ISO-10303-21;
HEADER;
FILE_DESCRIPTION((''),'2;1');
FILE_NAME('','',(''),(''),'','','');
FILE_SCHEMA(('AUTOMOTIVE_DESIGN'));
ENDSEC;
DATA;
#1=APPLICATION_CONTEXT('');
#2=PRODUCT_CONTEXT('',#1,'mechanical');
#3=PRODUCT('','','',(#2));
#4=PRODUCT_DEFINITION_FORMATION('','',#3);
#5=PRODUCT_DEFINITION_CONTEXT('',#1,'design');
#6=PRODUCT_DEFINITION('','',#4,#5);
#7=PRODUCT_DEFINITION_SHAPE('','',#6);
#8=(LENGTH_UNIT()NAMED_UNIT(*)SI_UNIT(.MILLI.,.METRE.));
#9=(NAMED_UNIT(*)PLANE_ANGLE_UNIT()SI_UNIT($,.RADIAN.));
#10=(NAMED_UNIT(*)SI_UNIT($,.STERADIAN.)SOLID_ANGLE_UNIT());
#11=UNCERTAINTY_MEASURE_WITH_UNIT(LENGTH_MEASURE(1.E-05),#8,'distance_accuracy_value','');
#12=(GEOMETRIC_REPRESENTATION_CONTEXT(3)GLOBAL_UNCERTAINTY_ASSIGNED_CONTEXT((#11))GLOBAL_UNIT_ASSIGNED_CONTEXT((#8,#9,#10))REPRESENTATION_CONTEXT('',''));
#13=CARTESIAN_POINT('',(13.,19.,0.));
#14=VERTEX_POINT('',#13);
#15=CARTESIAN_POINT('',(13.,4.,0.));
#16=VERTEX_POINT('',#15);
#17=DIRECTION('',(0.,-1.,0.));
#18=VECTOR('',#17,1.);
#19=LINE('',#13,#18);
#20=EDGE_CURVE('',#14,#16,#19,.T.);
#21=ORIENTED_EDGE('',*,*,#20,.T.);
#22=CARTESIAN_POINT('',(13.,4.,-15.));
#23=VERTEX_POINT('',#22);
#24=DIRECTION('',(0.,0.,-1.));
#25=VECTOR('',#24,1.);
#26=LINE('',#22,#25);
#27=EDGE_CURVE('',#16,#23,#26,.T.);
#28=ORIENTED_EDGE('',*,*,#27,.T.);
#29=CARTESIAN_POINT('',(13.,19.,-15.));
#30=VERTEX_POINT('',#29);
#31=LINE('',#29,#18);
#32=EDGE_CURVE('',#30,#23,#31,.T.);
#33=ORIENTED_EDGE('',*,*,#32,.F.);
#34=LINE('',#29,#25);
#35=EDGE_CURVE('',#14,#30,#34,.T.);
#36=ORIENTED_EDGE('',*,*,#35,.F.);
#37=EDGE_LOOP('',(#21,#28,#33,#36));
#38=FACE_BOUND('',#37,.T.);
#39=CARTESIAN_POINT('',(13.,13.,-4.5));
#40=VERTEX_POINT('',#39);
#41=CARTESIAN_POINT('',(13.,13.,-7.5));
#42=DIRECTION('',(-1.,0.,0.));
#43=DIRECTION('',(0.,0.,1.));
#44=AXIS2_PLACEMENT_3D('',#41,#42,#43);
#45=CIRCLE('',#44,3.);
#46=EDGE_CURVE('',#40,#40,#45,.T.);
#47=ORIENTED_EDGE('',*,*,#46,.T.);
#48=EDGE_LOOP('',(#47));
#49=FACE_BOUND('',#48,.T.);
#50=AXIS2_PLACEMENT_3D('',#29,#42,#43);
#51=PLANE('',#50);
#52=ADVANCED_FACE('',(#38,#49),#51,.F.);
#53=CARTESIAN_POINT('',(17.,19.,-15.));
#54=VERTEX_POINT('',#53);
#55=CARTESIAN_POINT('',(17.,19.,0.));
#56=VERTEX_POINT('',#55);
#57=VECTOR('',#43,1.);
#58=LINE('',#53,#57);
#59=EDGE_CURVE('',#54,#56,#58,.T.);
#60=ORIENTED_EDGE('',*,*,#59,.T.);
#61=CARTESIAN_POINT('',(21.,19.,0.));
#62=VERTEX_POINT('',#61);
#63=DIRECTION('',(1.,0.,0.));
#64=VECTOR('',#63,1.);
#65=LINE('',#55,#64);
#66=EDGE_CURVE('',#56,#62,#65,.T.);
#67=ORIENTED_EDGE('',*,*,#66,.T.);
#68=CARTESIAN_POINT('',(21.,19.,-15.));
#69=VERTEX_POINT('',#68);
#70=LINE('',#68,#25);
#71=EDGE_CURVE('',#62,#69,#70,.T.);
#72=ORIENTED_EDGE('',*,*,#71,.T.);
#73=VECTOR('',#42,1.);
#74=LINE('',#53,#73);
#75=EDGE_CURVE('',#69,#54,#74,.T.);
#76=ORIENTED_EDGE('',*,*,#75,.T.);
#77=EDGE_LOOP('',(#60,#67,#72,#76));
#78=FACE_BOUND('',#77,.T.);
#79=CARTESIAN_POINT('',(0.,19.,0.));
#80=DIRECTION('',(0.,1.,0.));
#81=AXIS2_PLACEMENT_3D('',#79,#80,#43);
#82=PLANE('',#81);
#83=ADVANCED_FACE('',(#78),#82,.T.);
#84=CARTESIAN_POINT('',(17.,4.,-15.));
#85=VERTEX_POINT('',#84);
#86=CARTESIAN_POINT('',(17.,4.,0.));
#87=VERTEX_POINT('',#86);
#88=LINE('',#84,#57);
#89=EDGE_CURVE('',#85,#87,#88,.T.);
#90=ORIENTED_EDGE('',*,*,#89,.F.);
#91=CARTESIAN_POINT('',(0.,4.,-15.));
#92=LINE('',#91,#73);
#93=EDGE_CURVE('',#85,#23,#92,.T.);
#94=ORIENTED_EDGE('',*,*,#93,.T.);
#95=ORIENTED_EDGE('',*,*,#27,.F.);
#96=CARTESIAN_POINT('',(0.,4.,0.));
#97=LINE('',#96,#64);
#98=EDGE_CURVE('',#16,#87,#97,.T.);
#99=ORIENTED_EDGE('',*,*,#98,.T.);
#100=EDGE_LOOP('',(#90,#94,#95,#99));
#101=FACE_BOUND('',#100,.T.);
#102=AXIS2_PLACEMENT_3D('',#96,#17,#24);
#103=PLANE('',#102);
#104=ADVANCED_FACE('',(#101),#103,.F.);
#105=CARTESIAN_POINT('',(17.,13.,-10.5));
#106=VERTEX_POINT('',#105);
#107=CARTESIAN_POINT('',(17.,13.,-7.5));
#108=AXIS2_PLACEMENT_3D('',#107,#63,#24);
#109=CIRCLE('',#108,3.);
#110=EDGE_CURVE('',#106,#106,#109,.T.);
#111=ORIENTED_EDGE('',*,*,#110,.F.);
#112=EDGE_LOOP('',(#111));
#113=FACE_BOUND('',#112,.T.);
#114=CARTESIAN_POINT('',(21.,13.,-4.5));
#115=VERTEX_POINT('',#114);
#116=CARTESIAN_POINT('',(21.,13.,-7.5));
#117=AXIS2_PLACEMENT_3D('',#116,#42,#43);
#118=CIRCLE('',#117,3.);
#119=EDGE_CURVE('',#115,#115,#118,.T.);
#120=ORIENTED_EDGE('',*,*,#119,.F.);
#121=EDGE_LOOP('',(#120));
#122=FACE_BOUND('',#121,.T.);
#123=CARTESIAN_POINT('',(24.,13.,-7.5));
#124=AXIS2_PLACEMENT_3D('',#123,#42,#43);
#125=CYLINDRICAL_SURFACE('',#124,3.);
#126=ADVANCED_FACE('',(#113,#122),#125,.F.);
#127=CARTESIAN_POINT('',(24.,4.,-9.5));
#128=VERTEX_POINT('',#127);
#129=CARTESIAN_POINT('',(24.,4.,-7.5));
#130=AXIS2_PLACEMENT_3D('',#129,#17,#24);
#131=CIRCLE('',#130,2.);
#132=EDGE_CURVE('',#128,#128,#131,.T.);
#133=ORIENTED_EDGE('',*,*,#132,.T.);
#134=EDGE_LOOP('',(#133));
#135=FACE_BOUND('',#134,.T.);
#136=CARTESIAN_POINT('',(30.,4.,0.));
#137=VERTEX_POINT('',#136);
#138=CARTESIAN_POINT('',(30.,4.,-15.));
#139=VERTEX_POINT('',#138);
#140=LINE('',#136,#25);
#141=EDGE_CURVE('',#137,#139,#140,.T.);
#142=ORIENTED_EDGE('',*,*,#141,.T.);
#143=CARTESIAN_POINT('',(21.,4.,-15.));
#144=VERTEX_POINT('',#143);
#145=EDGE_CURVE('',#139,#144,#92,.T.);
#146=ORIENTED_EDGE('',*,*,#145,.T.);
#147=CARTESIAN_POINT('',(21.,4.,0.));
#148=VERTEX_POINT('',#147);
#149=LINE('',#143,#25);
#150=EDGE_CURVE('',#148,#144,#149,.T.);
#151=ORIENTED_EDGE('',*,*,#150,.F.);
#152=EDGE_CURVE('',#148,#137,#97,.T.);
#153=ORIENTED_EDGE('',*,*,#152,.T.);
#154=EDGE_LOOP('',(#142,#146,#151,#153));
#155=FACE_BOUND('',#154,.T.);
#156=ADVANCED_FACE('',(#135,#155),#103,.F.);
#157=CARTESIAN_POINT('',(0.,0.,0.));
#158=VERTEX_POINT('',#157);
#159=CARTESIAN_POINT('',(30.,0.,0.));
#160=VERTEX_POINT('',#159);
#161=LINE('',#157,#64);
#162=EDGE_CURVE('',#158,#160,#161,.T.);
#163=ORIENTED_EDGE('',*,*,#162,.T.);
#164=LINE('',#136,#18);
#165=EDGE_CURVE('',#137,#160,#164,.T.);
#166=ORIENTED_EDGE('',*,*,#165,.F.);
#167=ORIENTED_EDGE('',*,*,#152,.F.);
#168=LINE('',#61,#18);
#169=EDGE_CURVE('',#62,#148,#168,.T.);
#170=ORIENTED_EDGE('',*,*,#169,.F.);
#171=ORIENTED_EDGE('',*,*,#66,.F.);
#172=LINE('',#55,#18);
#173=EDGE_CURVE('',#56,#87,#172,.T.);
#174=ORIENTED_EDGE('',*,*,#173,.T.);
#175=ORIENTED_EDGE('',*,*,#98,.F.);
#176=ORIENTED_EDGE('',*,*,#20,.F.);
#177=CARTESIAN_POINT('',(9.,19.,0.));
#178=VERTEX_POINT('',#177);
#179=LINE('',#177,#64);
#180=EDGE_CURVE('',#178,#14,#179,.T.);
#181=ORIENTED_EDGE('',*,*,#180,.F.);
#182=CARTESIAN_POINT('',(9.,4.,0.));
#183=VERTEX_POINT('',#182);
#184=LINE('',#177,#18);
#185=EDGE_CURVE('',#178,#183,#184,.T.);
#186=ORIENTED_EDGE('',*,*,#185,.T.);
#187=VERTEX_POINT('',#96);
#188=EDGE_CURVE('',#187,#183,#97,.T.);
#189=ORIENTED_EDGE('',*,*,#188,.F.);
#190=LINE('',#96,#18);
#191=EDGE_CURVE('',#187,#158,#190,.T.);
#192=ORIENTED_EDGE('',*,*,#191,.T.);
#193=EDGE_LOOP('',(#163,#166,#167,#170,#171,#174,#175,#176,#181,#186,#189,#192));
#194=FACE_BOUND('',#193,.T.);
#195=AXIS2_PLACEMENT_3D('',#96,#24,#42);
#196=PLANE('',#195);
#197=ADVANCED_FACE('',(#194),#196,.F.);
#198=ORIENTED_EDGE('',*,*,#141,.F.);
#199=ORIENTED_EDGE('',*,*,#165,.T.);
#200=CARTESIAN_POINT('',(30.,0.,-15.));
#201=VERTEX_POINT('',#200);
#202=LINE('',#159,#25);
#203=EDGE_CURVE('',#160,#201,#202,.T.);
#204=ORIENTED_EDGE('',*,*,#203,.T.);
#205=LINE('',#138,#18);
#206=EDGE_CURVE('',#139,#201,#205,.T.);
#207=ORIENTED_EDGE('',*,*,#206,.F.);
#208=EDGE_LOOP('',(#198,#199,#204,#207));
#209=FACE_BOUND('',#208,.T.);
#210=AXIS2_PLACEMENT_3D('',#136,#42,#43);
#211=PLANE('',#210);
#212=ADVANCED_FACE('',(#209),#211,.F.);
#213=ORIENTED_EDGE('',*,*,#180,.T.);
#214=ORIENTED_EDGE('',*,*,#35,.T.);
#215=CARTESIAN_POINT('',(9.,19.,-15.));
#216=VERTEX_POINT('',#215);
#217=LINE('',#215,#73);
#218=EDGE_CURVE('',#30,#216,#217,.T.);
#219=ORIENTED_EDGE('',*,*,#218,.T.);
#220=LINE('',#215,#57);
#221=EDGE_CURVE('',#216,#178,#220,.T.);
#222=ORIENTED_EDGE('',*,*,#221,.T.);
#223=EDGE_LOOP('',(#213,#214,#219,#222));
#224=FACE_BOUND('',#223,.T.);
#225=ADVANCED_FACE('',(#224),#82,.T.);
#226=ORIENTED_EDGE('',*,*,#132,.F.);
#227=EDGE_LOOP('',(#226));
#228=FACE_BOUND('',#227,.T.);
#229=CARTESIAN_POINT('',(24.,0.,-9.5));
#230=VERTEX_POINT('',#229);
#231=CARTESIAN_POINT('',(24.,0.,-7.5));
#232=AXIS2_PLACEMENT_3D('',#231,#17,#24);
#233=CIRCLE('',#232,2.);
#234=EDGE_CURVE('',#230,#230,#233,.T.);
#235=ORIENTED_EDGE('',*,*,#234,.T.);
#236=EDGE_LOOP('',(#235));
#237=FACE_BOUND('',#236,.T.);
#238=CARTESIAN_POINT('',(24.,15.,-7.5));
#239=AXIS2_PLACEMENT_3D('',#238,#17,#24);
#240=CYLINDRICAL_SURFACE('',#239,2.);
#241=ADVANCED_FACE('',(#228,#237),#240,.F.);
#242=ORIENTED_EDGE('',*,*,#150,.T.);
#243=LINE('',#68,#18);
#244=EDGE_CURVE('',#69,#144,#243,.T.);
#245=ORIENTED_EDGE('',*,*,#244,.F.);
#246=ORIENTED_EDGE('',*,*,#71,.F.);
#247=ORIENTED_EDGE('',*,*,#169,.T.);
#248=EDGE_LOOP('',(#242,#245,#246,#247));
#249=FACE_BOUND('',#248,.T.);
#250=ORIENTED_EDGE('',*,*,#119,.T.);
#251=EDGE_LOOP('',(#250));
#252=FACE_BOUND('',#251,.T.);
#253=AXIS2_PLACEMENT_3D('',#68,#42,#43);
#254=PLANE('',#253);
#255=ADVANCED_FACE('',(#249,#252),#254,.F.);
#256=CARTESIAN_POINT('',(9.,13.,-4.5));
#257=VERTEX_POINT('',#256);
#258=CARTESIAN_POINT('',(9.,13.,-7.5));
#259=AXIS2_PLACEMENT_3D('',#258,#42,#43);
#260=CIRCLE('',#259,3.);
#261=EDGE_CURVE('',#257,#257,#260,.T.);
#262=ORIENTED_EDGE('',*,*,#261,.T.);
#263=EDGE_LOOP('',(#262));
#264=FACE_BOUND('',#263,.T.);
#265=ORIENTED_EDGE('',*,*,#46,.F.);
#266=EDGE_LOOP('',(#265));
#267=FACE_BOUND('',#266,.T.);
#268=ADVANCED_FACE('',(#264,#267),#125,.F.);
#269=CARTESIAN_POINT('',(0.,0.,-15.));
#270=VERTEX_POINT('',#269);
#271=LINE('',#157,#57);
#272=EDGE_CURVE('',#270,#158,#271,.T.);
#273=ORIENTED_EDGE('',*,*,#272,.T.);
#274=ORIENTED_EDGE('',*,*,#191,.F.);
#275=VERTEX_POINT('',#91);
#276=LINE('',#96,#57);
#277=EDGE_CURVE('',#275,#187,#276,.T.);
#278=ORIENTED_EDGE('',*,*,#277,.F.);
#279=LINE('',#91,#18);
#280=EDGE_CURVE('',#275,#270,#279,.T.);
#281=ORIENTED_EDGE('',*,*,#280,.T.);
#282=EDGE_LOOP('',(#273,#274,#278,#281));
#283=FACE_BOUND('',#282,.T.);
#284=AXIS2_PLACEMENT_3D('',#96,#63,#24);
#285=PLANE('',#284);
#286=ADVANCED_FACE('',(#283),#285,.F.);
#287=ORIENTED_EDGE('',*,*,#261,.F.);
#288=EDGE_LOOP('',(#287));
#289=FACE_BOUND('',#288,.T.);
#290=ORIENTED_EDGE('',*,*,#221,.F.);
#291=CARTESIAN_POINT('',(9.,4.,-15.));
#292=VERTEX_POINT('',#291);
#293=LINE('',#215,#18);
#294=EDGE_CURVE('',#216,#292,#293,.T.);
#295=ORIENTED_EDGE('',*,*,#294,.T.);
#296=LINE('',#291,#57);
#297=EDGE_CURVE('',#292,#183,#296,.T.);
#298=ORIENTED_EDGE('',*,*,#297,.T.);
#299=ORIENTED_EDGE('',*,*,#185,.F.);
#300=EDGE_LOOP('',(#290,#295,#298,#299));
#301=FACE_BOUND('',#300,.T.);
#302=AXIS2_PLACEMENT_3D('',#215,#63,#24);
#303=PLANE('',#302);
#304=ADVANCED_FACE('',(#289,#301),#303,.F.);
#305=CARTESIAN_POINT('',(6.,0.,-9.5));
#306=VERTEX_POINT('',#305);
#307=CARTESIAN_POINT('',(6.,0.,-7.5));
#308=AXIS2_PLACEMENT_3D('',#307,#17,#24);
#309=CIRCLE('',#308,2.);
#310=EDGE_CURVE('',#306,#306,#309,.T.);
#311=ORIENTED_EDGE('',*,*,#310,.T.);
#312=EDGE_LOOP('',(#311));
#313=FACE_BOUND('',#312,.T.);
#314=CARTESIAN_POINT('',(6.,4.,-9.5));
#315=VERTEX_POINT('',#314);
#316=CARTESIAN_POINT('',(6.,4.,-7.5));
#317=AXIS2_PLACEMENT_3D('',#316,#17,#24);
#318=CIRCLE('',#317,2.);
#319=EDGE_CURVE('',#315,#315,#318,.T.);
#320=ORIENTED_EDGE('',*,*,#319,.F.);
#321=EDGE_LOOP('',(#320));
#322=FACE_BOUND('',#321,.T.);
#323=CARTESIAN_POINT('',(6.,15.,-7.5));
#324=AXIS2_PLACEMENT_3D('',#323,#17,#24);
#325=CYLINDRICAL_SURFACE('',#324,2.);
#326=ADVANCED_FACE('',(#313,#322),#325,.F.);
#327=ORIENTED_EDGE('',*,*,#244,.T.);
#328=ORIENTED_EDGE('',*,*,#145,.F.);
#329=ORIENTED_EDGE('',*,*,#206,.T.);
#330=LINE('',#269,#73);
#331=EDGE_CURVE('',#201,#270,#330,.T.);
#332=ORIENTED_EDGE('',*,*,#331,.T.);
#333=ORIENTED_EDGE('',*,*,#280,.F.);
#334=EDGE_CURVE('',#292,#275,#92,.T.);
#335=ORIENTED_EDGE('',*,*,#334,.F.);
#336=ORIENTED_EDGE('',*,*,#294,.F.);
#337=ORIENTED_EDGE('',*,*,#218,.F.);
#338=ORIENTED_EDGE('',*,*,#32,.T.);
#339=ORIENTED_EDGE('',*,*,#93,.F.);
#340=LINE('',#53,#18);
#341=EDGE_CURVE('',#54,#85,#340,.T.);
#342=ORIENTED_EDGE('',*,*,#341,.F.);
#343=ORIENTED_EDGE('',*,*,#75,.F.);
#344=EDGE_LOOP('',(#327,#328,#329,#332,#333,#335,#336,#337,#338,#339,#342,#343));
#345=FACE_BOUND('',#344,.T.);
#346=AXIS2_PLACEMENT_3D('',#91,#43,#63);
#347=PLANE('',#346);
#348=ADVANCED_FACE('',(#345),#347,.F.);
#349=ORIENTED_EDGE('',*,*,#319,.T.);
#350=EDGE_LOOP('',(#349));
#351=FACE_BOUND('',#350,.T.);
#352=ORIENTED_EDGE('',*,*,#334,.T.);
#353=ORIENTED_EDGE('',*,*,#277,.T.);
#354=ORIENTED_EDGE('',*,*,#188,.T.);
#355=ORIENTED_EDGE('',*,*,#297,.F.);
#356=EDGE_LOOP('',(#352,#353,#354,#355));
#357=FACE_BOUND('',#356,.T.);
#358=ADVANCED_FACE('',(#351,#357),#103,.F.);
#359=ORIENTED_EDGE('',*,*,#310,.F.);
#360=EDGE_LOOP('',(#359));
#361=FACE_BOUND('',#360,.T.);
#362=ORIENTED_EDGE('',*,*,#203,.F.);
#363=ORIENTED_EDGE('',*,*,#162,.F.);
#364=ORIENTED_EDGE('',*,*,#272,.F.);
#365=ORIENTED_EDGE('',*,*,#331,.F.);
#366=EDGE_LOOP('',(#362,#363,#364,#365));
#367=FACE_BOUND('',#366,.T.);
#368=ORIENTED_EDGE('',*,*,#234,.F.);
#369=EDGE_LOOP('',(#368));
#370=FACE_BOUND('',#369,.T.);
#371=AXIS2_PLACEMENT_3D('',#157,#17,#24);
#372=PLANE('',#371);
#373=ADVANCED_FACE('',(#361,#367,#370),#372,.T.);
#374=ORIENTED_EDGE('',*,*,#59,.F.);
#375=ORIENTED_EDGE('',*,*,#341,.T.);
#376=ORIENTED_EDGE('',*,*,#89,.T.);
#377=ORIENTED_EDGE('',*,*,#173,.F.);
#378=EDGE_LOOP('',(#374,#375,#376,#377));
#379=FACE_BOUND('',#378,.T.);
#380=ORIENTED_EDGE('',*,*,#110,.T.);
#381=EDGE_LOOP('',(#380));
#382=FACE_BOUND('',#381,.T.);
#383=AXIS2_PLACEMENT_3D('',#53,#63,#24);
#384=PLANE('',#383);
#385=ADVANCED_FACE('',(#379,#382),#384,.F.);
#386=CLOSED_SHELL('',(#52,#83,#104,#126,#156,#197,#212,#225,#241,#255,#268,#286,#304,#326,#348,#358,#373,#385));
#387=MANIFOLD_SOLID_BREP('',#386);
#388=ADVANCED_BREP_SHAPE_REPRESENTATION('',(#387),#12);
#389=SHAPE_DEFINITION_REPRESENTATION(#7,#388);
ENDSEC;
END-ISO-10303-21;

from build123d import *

# Parameters (mm, degrees)
SKETCH_1_W          = 30
SKETCH_1_H          = 15
EXTRUDE_1_DEPTH     = 4
SKETCH_2_W          = 4
SKETCH_2_H          = 15
EXTRUDE_2_DEPTH     = 15
SKETCH_3_R          = 2
CUT_EXTRUDE_1_DEPTH = 15
SKETCH_4_R          = 3
CUT_EXTRUDE_2_DEPTH = 15


with BuildPart() as part:
    # Эскиз1 → Бобышка-Вытянуть1 (new body)
    with BuildSketch(Plane(origin=(0, 0, 0), x_dir=(1, 0, 0), z_dir=(0, 1, 0))):
        with Locations((15, 7.5)):
            Rectangle(SKETCH_1_W, SKETCH_1_H)
    extrude(amount=EXTRUDE_1_DEPTH)

    # Эскиз2 → Бобышка-Вытянуть2 (add)
    with BuildSketch(Plane(origin=(0, 4, 0), x_dir=(1, 0, 0), z_dir=(0, 1, 0))):
        with Locations((11, 7.5)):
            Rectangle(SKETCH_2_W, SKETCH_2_H)
        with Locations((19, 7.5)):
            Rectangle(SKETCH_2_W, SKETCH_2_H)
    extrude(amount=EXTRUDE_2_DEPTH)

    # Эскиз3 → Вырез-Вытянуть1 (cut)
    with BuildSketch(Plane.XZ):
        with Locations(Location((6, -7.5, 0), (0, 0, 270))):
            Circle(SKETCH_3_R)
        with Locations(Location((24, -7.5, 0), (0, 0, 270))):
            Circle(SKETCH_3_R)
    extrude(amount=-CUT_EXTRUDE_1_DEPTH, mode=Mode.SUBTRACT)

    # Эскиз4 → Вырез-Вытянуть2 (cut)
    with BuildSketch(Plane.ZY.offset(-9)):
        with Locations((-7.5, 13)):
            Circle(SKETCH_4_R)
    extrude(amount=-CUT_EXTRUDE_2_DEPTH, mode=Mode.SUBTRACT)


solid = part.part
